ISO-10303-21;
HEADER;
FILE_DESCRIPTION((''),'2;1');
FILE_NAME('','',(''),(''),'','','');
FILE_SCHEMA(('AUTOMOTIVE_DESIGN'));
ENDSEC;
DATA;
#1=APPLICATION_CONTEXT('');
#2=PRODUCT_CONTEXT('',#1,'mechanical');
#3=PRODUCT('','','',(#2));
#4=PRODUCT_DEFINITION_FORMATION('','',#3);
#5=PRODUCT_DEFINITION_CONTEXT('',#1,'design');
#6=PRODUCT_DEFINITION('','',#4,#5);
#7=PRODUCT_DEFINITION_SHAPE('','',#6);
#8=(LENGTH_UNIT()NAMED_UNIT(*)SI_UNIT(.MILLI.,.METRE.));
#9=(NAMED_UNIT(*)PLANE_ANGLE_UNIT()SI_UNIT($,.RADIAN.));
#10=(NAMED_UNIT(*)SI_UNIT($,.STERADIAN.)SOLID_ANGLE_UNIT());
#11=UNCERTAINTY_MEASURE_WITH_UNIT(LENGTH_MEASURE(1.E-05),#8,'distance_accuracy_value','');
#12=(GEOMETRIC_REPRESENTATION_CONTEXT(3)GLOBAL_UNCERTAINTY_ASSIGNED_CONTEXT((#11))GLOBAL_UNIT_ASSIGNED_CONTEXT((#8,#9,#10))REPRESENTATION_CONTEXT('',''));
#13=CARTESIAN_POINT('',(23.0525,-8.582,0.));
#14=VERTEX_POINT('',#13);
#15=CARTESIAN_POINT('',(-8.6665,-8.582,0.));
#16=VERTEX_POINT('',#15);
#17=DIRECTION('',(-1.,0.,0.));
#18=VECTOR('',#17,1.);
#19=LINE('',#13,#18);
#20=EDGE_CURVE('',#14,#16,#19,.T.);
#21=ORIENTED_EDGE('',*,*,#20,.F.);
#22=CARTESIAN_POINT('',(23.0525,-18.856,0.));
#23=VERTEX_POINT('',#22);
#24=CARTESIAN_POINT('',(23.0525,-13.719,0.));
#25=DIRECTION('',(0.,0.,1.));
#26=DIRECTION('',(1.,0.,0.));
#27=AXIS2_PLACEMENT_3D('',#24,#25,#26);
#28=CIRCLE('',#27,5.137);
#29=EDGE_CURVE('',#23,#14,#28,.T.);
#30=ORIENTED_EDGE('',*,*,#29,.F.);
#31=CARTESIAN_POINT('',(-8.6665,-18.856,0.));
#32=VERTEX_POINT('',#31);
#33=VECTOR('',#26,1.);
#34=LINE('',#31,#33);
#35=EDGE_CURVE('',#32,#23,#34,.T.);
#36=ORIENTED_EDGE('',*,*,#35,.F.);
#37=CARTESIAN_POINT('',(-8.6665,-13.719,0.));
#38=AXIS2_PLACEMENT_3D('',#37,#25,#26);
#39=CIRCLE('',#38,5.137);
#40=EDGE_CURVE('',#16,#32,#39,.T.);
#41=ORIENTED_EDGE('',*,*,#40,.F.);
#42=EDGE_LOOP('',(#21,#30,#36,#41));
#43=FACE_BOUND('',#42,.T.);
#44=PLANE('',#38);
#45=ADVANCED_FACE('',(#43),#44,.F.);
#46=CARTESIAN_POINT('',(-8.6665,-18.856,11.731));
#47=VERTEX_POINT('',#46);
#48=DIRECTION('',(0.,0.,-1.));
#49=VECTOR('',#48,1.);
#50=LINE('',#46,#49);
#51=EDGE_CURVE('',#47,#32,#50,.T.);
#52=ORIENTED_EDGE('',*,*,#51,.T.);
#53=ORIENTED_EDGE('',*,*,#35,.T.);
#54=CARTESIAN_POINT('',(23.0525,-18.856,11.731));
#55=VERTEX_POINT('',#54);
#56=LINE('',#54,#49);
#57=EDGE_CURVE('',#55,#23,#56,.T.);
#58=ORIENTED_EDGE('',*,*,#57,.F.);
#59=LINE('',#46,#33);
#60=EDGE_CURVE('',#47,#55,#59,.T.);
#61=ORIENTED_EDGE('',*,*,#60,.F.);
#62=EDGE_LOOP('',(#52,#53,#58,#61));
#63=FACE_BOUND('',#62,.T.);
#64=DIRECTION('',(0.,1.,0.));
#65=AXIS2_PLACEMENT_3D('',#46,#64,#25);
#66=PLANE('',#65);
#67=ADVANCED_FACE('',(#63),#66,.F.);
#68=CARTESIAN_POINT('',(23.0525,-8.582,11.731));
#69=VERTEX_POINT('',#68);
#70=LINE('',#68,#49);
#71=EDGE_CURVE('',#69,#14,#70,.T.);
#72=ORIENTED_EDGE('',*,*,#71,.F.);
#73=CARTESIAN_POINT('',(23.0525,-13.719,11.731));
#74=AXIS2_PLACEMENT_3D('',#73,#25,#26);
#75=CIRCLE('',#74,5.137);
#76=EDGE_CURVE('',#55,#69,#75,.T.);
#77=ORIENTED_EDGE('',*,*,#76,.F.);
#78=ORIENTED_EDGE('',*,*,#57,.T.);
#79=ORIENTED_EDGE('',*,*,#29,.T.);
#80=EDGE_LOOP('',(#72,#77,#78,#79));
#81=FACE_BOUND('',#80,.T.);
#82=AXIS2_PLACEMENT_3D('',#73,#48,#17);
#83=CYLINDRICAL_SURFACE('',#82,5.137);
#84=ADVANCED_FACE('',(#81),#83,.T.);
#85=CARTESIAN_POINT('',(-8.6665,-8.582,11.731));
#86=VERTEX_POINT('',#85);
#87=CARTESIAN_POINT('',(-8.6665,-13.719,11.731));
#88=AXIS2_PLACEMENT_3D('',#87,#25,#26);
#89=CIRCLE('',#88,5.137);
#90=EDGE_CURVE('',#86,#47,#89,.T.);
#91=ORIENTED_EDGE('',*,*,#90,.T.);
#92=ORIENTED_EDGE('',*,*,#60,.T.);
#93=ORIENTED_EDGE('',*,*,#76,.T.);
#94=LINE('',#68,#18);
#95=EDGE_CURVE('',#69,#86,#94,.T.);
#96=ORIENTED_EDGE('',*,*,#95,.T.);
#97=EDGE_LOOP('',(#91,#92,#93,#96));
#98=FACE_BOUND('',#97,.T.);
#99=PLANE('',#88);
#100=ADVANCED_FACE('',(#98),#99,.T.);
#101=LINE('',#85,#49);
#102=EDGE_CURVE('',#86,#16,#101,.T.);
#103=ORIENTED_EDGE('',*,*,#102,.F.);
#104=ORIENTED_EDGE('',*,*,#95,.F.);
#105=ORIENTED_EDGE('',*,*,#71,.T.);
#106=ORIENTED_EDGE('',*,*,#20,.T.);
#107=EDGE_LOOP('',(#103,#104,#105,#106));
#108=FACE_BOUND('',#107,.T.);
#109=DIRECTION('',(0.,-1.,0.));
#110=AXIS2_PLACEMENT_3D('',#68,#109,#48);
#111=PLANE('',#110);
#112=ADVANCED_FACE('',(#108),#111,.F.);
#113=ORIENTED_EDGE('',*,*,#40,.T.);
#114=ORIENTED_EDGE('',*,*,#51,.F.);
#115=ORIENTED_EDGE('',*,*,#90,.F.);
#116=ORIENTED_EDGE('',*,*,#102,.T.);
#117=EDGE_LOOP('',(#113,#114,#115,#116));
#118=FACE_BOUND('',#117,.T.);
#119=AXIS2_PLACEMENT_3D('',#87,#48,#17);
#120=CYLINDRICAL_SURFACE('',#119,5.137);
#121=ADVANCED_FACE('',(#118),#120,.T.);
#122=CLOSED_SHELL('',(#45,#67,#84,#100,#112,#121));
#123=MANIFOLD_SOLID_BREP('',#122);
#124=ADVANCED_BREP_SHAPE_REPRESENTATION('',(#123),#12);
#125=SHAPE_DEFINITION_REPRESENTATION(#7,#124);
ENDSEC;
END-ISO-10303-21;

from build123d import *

# Parameters (mm, degrees)
CURVEBOSS_DEPTH = 11.731


with BuildPart() as part:
    # CurveSketch → CurveBoss (new body)
    with BuildSketch(Plane.XY):
        with BuildLine():
            Line((-8.6665, -18.856), (23.0525, -18.856))
            ThreePointArc((23.0525, -18.856), (28.1895, -13.719), (23.0525, -8.582))
            Line((23.0525, -8.582), (-8.6665, -8.582))
            ThreePointArc((-8.6665, -8.582), (-13.8035, -13.719), (-8.6665, -18.856))
        make_face()
    extrude(amount=CURVEBOSS_DEPTH)


solid = part.part
